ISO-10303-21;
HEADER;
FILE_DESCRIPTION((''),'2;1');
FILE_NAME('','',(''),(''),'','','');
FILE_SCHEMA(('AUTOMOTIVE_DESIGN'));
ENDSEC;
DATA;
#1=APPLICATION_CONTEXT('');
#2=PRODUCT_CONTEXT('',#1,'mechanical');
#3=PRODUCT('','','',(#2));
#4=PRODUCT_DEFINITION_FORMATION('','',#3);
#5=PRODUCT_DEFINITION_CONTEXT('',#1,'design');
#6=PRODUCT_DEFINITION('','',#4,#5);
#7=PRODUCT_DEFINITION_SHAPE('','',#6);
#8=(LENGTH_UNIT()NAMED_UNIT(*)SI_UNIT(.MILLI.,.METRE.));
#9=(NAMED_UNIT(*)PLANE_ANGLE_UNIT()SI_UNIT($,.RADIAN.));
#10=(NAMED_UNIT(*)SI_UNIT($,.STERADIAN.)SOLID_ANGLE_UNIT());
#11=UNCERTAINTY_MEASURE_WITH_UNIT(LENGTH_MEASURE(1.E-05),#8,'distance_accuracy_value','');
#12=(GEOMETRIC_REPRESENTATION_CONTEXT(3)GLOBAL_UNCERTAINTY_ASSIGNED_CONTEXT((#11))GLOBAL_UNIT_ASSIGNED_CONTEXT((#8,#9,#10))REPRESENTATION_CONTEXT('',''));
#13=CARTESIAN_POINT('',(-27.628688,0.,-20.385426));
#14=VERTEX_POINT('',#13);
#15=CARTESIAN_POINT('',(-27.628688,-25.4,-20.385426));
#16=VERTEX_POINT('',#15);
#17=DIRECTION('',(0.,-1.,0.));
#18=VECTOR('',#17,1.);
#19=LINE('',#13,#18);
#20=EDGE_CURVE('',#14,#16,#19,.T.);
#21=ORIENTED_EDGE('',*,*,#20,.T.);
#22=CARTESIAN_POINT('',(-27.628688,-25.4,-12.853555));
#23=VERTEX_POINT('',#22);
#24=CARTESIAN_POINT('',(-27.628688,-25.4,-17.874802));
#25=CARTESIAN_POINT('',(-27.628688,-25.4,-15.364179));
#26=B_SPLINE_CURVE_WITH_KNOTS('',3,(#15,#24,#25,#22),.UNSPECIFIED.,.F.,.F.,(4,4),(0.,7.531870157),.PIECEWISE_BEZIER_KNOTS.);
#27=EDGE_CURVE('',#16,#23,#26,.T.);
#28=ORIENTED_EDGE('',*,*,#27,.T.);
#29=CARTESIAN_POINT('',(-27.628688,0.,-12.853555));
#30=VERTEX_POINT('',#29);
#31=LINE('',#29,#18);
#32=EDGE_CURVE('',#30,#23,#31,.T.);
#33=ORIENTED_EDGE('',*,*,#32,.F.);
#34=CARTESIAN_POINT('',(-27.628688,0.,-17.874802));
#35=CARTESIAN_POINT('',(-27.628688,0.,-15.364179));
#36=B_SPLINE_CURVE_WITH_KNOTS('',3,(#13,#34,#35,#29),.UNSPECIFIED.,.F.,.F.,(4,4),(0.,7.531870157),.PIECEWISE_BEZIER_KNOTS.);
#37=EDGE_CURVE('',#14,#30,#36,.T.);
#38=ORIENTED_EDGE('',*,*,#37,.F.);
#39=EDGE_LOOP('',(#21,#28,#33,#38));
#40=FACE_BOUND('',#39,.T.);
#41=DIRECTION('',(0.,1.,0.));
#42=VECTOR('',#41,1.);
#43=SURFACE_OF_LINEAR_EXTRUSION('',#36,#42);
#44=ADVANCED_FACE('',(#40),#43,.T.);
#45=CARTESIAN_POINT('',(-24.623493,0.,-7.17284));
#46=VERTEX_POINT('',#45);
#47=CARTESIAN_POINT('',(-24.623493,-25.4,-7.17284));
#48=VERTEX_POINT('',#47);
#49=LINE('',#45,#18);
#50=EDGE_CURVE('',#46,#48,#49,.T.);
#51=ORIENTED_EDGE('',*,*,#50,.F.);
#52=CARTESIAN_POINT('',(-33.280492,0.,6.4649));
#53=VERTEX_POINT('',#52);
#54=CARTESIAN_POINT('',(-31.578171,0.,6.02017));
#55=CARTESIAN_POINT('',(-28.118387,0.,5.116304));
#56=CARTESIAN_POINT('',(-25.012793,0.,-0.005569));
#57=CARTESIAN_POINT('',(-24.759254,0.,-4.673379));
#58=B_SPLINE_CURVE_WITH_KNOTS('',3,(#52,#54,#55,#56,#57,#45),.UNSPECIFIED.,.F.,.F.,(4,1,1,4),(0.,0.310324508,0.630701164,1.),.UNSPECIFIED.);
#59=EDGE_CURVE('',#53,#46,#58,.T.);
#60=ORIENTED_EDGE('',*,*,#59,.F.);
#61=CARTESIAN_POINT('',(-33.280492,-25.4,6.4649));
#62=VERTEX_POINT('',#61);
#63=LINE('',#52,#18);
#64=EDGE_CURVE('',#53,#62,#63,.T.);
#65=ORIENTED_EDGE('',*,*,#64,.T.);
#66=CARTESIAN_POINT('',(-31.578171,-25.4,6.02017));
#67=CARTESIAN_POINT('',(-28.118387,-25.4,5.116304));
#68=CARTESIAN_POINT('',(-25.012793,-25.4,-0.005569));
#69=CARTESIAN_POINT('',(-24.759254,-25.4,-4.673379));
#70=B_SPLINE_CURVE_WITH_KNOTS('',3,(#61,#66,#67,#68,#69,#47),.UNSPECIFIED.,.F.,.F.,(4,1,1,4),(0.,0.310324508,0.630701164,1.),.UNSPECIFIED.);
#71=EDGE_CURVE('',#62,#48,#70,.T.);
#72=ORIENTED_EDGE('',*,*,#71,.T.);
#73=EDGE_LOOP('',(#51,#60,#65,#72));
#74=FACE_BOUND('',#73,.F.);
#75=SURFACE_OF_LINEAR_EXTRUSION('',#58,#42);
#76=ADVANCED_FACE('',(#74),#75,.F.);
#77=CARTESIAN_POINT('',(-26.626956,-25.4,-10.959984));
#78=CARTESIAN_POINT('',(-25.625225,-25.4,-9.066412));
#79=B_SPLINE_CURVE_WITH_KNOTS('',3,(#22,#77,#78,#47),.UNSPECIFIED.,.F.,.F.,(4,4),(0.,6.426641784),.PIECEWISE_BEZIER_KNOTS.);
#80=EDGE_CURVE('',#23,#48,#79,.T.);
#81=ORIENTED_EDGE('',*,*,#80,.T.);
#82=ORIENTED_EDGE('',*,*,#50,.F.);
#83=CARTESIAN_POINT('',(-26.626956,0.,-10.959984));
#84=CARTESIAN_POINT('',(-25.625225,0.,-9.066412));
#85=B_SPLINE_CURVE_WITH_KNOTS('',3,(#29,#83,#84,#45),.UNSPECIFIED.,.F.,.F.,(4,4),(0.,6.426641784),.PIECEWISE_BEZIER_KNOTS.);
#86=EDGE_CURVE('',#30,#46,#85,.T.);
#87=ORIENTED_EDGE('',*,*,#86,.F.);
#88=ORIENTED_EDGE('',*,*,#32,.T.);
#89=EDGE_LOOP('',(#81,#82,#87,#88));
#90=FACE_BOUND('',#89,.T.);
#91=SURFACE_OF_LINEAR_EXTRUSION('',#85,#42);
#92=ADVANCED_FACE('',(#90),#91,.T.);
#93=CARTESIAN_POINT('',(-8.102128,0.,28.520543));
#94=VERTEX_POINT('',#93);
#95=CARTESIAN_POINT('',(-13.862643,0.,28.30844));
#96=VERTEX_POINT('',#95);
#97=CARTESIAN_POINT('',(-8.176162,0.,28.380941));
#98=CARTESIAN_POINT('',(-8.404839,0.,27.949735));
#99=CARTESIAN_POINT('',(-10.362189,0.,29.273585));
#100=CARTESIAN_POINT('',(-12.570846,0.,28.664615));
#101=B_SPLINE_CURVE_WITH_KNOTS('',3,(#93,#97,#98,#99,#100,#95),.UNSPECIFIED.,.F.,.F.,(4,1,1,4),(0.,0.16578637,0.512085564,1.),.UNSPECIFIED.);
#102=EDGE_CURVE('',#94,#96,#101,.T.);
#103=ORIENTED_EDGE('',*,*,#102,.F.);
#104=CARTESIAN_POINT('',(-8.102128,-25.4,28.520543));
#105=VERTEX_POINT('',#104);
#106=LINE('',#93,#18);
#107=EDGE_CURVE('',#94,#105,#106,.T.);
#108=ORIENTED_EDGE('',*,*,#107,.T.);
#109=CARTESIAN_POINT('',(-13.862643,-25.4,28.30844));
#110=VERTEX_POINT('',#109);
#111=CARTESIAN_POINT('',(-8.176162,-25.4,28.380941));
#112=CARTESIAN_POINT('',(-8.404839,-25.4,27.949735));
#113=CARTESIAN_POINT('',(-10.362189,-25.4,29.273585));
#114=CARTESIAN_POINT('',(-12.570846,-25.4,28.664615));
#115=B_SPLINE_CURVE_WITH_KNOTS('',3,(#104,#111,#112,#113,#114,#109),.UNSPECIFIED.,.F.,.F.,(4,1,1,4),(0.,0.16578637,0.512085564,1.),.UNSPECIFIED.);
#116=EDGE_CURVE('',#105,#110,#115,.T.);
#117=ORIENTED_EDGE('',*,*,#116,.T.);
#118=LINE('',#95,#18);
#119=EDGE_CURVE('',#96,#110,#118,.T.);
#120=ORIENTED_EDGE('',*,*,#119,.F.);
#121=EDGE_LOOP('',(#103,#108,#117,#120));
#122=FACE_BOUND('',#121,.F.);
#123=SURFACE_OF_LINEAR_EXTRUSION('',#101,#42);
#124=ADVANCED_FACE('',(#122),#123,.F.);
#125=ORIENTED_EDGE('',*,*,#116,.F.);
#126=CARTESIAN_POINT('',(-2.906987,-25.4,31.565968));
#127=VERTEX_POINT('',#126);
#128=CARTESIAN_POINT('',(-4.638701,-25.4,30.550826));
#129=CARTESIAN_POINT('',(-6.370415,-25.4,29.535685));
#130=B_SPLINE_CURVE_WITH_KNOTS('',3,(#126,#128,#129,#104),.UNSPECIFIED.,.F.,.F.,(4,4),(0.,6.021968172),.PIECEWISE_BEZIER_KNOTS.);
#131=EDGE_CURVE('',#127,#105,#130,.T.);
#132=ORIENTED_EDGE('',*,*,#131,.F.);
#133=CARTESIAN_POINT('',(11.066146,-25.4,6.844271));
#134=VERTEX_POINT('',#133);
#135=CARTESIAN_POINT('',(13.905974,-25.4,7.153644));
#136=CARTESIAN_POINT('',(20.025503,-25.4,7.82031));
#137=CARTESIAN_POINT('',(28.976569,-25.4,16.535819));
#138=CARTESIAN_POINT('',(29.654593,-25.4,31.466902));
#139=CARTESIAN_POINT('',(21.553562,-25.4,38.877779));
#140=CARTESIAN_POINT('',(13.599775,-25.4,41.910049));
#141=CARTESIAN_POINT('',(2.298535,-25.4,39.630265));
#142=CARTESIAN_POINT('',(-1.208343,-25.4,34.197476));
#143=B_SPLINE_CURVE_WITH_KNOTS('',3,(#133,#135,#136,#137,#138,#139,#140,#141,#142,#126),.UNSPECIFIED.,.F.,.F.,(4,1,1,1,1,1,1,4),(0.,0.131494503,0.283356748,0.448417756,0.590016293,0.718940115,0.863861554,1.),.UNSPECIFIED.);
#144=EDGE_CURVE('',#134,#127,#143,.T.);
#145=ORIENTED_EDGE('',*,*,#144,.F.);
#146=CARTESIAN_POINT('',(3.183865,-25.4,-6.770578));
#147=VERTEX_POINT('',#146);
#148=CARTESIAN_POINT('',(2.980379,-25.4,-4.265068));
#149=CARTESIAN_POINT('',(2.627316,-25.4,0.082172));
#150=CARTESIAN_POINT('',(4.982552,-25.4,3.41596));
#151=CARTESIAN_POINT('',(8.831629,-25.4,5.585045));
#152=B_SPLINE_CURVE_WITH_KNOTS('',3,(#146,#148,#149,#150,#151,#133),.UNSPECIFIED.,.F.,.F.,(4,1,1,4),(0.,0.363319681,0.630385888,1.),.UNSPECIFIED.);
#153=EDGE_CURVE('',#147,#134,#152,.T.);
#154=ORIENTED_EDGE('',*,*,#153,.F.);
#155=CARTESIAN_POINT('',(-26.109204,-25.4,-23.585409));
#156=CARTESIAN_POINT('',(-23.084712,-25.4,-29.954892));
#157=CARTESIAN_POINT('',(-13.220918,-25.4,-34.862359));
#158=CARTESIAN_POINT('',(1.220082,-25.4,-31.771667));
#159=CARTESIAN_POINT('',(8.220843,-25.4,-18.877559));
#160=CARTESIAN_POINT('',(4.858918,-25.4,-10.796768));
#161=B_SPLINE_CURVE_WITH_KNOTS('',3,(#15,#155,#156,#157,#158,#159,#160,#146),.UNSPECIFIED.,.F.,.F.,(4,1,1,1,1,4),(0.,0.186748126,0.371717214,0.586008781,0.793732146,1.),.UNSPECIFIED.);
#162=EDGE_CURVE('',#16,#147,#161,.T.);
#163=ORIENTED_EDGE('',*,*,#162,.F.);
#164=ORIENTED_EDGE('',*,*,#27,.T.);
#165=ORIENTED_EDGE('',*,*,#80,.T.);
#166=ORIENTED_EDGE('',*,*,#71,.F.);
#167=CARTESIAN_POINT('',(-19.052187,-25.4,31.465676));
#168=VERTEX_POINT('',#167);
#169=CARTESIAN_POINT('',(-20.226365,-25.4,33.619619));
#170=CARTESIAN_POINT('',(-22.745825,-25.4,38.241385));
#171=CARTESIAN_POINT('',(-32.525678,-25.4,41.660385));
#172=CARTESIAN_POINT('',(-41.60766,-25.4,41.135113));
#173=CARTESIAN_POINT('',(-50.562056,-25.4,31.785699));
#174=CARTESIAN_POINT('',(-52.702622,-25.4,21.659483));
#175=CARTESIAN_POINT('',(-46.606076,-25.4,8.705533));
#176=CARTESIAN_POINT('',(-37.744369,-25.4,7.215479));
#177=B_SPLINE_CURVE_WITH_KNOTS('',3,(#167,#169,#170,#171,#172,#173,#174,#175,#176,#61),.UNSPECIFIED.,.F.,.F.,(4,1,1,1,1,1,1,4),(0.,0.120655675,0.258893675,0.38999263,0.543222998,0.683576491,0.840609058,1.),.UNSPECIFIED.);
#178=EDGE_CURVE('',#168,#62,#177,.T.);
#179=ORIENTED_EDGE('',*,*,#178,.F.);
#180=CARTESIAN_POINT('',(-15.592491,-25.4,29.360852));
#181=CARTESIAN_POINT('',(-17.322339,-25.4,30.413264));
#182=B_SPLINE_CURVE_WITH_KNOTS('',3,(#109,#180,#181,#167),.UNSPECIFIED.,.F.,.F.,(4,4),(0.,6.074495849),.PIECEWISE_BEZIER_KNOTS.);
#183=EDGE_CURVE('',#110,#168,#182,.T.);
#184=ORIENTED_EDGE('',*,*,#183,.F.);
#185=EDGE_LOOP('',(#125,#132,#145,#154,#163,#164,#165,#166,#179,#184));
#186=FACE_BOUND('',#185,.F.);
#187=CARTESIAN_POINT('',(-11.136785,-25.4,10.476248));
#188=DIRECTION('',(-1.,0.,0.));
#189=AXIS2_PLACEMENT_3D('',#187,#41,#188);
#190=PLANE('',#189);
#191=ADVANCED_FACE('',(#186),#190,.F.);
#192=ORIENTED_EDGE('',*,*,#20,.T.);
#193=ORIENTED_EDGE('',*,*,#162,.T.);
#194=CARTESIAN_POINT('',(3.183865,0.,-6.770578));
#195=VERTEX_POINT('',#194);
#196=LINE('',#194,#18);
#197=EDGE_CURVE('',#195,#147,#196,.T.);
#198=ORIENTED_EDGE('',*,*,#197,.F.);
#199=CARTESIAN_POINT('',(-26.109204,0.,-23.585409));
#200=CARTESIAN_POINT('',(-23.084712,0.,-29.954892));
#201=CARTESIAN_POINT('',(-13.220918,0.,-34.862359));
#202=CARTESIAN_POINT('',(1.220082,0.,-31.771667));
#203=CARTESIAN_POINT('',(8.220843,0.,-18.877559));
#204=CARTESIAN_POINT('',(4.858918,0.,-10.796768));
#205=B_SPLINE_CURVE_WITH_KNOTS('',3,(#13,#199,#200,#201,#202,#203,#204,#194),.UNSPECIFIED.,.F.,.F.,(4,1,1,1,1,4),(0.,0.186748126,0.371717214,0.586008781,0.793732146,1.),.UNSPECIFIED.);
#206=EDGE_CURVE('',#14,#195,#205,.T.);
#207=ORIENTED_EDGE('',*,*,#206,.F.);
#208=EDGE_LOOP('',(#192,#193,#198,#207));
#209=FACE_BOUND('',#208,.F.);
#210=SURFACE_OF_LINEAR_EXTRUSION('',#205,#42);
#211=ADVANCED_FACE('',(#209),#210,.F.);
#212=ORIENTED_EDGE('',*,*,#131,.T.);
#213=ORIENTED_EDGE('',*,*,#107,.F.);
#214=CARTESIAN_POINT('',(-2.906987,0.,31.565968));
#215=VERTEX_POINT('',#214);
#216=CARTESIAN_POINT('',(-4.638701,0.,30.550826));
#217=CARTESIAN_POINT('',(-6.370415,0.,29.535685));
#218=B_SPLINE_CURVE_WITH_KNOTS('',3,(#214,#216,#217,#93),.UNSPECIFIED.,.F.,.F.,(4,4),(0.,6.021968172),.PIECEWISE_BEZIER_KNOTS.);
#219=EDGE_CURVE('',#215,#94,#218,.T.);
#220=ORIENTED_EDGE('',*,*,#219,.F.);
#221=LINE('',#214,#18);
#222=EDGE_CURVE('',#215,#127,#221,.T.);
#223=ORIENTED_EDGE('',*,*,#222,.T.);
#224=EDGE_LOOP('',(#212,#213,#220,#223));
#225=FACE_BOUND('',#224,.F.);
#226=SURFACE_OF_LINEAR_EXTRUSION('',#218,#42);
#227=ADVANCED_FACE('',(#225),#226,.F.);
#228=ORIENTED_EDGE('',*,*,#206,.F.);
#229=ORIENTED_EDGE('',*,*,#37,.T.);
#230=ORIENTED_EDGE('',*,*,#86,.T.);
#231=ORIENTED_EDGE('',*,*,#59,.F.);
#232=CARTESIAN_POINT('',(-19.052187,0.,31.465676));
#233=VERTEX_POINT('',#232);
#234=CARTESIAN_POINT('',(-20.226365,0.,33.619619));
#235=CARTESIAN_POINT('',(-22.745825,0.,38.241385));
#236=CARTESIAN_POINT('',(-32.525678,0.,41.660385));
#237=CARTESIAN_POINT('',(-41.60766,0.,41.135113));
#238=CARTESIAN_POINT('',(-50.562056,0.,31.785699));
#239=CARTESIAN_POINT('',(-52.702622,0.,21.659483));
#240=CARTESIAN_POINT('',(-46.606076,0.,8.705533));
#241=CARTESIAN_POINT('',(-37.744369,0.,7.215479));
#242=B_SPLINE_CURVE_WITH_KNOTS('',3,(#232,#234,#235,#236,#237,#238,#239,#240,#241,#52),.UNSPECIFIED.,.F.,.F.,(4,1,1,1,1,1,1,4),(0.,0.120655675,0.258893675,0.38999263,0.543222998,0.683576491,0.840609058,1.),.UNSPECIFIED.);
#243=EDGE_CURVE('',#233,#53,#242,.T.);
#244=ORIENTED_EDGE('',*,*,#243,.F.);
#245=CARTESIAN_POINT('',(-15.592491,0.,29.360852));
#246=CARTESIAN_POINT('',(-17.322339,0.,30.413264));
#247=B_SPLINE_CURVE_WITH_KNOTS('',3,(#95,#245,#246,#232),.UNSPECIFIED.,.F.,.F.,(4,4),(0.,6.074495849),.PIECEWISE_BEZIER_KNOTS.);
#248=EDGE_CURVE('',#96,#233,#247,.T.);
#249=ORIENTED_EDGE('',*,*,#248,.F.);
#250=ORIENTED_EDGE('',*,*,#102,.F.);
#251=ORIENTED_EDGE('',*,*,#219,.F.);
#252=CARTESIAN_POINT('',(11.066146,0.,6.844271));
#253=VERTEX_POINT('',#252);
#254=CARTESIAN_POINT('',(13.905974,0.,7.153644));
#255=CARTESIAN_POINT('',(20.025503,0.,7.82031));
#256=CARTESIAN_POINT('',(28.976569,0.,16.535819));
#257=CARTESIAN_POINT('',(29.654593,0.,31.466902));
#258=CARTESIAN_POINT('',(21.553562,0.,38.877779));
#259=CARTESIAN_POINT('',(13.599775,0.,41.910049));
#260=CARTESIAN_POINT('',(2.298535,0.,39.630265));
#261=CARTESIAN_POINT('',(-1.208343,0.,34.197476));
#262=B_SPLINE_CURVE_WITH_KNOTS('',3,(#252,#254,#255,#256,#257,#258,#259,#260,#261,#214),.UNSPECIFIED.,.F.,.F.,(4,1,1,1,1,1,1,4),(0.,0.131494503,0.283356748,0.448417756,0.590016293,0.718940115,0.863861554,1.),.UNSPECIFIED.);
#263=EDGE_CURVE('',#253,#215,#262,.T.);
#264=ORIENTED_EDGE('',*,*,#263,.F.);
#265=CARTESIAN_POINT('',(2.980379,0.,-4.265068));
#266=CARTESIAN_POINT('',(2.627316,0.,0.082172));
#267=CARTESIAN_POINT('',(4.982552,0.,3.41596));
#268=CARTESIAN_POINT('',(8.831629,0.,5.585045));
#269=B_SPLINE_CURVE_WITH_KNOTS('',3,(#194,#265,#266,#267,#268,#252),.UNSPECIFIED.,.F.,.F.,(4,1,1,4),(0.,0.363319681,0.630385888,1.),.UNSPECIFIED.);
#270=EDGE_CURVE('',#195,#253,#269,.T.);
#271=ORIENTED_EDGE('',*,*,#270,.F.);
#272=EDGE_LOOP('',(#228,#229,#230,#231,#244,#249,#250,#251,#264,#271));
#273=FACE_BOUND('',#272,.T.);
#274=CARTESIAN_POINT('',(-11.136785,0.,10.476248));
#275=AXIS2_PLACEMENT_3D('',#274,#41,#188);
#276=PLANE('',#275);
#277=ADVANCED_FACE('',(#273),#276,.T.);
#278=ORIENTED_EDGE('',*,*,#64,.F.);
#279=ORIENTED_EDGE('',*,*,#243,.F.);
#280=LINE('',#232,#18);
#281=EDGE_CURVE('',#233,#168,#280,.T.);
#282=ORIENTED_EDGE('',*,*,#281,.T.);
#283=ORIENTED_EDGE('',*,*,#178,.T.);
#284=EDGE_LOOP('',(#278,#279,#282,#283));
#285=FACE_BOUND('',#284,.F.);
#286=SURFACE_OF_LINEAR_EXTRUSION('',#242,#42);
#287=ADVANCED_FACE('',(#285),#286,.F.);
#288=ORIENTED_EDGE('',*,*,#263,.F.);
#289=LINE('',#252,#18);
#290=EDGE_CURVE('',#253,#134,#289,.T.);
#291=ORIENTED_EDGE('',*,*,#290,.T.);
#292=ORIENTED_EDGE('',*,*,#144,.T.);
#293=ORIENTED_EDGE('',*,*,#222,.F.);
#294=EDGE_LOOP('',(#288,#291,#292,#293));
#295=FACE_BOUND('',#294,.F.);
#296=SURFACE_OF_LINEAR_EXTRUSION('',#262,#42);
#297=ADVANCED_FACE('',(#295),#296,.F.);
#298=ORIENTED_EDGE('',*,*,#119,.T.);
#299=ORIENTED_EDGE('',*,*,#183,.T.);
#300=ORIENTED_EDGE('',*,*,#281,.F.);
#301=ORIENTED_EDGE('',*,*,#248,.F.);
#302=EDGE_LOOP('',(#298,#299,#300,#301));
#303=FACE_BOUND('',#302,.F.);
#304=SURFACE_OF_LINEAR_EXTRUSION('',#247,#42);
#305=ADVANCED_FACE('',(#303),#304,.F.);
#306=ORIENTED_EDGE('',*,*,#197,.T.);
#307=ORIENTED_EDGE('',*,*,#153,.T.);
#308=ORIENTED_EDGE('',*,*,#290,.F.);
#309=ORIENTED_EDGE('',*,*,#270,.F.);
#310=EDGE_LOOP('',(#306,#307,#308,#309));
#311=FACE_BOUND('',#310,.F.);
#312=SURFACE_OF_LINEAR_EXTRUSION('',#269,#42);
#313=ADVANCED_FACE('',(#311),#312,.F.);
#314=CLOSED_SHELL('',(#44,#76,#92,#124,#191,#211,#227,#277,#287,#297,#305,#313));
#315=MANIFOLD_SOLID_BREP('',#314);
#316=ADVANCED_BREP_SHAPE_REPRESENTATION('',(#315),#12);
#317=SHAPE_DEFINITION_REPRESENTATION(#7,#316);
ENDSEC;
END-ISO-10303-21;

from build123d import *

# Parameters (mm, degrees)
F1_DEPTH = 25.4


with BuildPart() as f1:
    # F0 (on Front) → F1 (new body)
    with BuildSketch(Plane.XZ):
        with BuildLine():
            add(Edge.make_bspline(
                [(-27.6286881417, -20.3854255378), (-27.6286881417, -17.8748021523), (-27.6286881417, -15.3641787668), (-27.6286881417, -12.8535553813)],
                knots=[0, 0, 0, 0, 7.5318701565, 7.5318701565, 7.5318701565, 7.5318701565], degree=3))
            add(Edge.make_bspline(
                [(-27.6286881417, -20.3854255378), (-26.1092043698, -23.5854090845), (-23.0847120299, -29.9548918678), (-13.2209182165, -34.8623586844), (1.2200823016, -31.7716672157), (8.2208434269, -18.8775586444), (4.8589181601, -10.7967678999), (3.183865454, -6.7705777474)],
                knots=[0, 0, 0, 0, 0.1867481255, 0.3717172144, 0.5860087813, 0.7937321457, 1, 1, 1, 1], degree=3))
            add(Edge.make_bspline(
                [(3.183865454, -6.7705777474), (2.980379295, -4.2650682035), (2.6273161112, 0.0821718286), (4.9825515642, 3.415960072), (8.8316287859, 5.5850452916), (11.0661461949, 6.8442714401)],
                knots=[0, 0, 0, 0, 0.3633196805, 0.6303858884, 1, 1, 1, 1], degree=3))
            add(Edge.make_bspline(
                [(11.0661461949, 6.8442714401), (13.9059741749, 7.1536443651), (20.0255031244, 7.8203102985), (28.9765689093, 16.5358193263), (29.6545930317, 31.4669019827), (21.5535617346, 38.8777793296), (13.5997745486, 41.9100492775), (2.2985353413, 39.6302648635), (-1.2083426226, 34.1974762045), (-2.9069874436, 31.5659679472)],
                knots=[0, 0, 0, 0, 0.1314945034, 0.2833567477, 0.4484177559, 0.5900162929, 0.7189401151, 0.8638615536, 1, 1, 1, 1], degree=3))
            add(Edge.make_bspline(
                [(-2.9069874436, 31.5659679472), (-4.6387010564, 30.5508263409), (-6.3704146693, 29.5356847346), (-8.1021282822, 28.5205431283)],
                knots=[0, 0, 0, 0, 6.0219681717, 6.0219681717, 6.0219681717, 6.0219681717], degree=3))
            add(Edge.make_bspline(
                [(-8.1021282822, 28.5205431283), (-8.1761618739, 28.3809412314), (-8.4048388965, 27.9497349996), (-10.3621891641, 29.2735854161), (-12.5708455735, 28.6646145593), (-13.8626433909, 28.3084399998)],
                knots=[0, 0, 0, 0, 0.1657863704, 0.5120855642, 1, 1, 1, 1], degree=3))
            add(Edge.make_bspline(
                [(-13.8626433909, 28.3084399998), (-15.5924912542, 29.3608518938), (-17.3223391175, 30.4132637878), (-19.0521869808, 31.4656756818)],
                knots=[0, 0, 0, 0, 6.0744958493, 6.0744958493, 6.0744958493, 6.0744958493], degree=3))
            add(Edge.make_bspline(
                [(-19.0521869808, 31.4656756818), (-20.2263646051, 33.6196190808), (-22.7458247198, 38.2413853035), (-32.5256777267, 41.6603853611), (-41.6076600705, 41.1351126394), (-50.5620557466, 31.7856991181), (-52.7026223099, 21.6594829992), (-46.6060756104, 8.7055327091), (-37.7443691815, 7.2154791487), (-33.2804918289, 6.4648995176)],
                knots=[0, 0, 0, 0, 0.1206556748, 0.258893675, 0.3899926295, 0.5432229975, 0.683576491, 0.840609058, 1, 1, 1, 1], degree=3))
            add(Edge.make_bspline(
                [(-33.2804918289, 6.4648995176), (-31.5781708039, 6.0201695547), (-28.1183865357, 5.1163037698), (-25.012792521, -0.0055690428), (-24.7592542473, -4.6733793168), (-24.6234927326, -7.1728401817)],
                knots=[0, 0, 0, 0, 0.3103245083, 0.630701164, 1, 1, 1, 1], degree=3))
            add(Edge.make_bspline(
                [(-27.6286881417, -12.8535553813), (-26.6269563387, -10.9599836481), (-25.6252245357, -9.0664119149), (-24.6234927326, -7.1728401817)],
                knots=[0, 0, 0, 0, 6.4266417844, 6.4266417844, 6.4266417844, 6.4266417844], degree=3))
        make_face()
    extrude(amount=F1_DEPTH)


solid = f1.part
